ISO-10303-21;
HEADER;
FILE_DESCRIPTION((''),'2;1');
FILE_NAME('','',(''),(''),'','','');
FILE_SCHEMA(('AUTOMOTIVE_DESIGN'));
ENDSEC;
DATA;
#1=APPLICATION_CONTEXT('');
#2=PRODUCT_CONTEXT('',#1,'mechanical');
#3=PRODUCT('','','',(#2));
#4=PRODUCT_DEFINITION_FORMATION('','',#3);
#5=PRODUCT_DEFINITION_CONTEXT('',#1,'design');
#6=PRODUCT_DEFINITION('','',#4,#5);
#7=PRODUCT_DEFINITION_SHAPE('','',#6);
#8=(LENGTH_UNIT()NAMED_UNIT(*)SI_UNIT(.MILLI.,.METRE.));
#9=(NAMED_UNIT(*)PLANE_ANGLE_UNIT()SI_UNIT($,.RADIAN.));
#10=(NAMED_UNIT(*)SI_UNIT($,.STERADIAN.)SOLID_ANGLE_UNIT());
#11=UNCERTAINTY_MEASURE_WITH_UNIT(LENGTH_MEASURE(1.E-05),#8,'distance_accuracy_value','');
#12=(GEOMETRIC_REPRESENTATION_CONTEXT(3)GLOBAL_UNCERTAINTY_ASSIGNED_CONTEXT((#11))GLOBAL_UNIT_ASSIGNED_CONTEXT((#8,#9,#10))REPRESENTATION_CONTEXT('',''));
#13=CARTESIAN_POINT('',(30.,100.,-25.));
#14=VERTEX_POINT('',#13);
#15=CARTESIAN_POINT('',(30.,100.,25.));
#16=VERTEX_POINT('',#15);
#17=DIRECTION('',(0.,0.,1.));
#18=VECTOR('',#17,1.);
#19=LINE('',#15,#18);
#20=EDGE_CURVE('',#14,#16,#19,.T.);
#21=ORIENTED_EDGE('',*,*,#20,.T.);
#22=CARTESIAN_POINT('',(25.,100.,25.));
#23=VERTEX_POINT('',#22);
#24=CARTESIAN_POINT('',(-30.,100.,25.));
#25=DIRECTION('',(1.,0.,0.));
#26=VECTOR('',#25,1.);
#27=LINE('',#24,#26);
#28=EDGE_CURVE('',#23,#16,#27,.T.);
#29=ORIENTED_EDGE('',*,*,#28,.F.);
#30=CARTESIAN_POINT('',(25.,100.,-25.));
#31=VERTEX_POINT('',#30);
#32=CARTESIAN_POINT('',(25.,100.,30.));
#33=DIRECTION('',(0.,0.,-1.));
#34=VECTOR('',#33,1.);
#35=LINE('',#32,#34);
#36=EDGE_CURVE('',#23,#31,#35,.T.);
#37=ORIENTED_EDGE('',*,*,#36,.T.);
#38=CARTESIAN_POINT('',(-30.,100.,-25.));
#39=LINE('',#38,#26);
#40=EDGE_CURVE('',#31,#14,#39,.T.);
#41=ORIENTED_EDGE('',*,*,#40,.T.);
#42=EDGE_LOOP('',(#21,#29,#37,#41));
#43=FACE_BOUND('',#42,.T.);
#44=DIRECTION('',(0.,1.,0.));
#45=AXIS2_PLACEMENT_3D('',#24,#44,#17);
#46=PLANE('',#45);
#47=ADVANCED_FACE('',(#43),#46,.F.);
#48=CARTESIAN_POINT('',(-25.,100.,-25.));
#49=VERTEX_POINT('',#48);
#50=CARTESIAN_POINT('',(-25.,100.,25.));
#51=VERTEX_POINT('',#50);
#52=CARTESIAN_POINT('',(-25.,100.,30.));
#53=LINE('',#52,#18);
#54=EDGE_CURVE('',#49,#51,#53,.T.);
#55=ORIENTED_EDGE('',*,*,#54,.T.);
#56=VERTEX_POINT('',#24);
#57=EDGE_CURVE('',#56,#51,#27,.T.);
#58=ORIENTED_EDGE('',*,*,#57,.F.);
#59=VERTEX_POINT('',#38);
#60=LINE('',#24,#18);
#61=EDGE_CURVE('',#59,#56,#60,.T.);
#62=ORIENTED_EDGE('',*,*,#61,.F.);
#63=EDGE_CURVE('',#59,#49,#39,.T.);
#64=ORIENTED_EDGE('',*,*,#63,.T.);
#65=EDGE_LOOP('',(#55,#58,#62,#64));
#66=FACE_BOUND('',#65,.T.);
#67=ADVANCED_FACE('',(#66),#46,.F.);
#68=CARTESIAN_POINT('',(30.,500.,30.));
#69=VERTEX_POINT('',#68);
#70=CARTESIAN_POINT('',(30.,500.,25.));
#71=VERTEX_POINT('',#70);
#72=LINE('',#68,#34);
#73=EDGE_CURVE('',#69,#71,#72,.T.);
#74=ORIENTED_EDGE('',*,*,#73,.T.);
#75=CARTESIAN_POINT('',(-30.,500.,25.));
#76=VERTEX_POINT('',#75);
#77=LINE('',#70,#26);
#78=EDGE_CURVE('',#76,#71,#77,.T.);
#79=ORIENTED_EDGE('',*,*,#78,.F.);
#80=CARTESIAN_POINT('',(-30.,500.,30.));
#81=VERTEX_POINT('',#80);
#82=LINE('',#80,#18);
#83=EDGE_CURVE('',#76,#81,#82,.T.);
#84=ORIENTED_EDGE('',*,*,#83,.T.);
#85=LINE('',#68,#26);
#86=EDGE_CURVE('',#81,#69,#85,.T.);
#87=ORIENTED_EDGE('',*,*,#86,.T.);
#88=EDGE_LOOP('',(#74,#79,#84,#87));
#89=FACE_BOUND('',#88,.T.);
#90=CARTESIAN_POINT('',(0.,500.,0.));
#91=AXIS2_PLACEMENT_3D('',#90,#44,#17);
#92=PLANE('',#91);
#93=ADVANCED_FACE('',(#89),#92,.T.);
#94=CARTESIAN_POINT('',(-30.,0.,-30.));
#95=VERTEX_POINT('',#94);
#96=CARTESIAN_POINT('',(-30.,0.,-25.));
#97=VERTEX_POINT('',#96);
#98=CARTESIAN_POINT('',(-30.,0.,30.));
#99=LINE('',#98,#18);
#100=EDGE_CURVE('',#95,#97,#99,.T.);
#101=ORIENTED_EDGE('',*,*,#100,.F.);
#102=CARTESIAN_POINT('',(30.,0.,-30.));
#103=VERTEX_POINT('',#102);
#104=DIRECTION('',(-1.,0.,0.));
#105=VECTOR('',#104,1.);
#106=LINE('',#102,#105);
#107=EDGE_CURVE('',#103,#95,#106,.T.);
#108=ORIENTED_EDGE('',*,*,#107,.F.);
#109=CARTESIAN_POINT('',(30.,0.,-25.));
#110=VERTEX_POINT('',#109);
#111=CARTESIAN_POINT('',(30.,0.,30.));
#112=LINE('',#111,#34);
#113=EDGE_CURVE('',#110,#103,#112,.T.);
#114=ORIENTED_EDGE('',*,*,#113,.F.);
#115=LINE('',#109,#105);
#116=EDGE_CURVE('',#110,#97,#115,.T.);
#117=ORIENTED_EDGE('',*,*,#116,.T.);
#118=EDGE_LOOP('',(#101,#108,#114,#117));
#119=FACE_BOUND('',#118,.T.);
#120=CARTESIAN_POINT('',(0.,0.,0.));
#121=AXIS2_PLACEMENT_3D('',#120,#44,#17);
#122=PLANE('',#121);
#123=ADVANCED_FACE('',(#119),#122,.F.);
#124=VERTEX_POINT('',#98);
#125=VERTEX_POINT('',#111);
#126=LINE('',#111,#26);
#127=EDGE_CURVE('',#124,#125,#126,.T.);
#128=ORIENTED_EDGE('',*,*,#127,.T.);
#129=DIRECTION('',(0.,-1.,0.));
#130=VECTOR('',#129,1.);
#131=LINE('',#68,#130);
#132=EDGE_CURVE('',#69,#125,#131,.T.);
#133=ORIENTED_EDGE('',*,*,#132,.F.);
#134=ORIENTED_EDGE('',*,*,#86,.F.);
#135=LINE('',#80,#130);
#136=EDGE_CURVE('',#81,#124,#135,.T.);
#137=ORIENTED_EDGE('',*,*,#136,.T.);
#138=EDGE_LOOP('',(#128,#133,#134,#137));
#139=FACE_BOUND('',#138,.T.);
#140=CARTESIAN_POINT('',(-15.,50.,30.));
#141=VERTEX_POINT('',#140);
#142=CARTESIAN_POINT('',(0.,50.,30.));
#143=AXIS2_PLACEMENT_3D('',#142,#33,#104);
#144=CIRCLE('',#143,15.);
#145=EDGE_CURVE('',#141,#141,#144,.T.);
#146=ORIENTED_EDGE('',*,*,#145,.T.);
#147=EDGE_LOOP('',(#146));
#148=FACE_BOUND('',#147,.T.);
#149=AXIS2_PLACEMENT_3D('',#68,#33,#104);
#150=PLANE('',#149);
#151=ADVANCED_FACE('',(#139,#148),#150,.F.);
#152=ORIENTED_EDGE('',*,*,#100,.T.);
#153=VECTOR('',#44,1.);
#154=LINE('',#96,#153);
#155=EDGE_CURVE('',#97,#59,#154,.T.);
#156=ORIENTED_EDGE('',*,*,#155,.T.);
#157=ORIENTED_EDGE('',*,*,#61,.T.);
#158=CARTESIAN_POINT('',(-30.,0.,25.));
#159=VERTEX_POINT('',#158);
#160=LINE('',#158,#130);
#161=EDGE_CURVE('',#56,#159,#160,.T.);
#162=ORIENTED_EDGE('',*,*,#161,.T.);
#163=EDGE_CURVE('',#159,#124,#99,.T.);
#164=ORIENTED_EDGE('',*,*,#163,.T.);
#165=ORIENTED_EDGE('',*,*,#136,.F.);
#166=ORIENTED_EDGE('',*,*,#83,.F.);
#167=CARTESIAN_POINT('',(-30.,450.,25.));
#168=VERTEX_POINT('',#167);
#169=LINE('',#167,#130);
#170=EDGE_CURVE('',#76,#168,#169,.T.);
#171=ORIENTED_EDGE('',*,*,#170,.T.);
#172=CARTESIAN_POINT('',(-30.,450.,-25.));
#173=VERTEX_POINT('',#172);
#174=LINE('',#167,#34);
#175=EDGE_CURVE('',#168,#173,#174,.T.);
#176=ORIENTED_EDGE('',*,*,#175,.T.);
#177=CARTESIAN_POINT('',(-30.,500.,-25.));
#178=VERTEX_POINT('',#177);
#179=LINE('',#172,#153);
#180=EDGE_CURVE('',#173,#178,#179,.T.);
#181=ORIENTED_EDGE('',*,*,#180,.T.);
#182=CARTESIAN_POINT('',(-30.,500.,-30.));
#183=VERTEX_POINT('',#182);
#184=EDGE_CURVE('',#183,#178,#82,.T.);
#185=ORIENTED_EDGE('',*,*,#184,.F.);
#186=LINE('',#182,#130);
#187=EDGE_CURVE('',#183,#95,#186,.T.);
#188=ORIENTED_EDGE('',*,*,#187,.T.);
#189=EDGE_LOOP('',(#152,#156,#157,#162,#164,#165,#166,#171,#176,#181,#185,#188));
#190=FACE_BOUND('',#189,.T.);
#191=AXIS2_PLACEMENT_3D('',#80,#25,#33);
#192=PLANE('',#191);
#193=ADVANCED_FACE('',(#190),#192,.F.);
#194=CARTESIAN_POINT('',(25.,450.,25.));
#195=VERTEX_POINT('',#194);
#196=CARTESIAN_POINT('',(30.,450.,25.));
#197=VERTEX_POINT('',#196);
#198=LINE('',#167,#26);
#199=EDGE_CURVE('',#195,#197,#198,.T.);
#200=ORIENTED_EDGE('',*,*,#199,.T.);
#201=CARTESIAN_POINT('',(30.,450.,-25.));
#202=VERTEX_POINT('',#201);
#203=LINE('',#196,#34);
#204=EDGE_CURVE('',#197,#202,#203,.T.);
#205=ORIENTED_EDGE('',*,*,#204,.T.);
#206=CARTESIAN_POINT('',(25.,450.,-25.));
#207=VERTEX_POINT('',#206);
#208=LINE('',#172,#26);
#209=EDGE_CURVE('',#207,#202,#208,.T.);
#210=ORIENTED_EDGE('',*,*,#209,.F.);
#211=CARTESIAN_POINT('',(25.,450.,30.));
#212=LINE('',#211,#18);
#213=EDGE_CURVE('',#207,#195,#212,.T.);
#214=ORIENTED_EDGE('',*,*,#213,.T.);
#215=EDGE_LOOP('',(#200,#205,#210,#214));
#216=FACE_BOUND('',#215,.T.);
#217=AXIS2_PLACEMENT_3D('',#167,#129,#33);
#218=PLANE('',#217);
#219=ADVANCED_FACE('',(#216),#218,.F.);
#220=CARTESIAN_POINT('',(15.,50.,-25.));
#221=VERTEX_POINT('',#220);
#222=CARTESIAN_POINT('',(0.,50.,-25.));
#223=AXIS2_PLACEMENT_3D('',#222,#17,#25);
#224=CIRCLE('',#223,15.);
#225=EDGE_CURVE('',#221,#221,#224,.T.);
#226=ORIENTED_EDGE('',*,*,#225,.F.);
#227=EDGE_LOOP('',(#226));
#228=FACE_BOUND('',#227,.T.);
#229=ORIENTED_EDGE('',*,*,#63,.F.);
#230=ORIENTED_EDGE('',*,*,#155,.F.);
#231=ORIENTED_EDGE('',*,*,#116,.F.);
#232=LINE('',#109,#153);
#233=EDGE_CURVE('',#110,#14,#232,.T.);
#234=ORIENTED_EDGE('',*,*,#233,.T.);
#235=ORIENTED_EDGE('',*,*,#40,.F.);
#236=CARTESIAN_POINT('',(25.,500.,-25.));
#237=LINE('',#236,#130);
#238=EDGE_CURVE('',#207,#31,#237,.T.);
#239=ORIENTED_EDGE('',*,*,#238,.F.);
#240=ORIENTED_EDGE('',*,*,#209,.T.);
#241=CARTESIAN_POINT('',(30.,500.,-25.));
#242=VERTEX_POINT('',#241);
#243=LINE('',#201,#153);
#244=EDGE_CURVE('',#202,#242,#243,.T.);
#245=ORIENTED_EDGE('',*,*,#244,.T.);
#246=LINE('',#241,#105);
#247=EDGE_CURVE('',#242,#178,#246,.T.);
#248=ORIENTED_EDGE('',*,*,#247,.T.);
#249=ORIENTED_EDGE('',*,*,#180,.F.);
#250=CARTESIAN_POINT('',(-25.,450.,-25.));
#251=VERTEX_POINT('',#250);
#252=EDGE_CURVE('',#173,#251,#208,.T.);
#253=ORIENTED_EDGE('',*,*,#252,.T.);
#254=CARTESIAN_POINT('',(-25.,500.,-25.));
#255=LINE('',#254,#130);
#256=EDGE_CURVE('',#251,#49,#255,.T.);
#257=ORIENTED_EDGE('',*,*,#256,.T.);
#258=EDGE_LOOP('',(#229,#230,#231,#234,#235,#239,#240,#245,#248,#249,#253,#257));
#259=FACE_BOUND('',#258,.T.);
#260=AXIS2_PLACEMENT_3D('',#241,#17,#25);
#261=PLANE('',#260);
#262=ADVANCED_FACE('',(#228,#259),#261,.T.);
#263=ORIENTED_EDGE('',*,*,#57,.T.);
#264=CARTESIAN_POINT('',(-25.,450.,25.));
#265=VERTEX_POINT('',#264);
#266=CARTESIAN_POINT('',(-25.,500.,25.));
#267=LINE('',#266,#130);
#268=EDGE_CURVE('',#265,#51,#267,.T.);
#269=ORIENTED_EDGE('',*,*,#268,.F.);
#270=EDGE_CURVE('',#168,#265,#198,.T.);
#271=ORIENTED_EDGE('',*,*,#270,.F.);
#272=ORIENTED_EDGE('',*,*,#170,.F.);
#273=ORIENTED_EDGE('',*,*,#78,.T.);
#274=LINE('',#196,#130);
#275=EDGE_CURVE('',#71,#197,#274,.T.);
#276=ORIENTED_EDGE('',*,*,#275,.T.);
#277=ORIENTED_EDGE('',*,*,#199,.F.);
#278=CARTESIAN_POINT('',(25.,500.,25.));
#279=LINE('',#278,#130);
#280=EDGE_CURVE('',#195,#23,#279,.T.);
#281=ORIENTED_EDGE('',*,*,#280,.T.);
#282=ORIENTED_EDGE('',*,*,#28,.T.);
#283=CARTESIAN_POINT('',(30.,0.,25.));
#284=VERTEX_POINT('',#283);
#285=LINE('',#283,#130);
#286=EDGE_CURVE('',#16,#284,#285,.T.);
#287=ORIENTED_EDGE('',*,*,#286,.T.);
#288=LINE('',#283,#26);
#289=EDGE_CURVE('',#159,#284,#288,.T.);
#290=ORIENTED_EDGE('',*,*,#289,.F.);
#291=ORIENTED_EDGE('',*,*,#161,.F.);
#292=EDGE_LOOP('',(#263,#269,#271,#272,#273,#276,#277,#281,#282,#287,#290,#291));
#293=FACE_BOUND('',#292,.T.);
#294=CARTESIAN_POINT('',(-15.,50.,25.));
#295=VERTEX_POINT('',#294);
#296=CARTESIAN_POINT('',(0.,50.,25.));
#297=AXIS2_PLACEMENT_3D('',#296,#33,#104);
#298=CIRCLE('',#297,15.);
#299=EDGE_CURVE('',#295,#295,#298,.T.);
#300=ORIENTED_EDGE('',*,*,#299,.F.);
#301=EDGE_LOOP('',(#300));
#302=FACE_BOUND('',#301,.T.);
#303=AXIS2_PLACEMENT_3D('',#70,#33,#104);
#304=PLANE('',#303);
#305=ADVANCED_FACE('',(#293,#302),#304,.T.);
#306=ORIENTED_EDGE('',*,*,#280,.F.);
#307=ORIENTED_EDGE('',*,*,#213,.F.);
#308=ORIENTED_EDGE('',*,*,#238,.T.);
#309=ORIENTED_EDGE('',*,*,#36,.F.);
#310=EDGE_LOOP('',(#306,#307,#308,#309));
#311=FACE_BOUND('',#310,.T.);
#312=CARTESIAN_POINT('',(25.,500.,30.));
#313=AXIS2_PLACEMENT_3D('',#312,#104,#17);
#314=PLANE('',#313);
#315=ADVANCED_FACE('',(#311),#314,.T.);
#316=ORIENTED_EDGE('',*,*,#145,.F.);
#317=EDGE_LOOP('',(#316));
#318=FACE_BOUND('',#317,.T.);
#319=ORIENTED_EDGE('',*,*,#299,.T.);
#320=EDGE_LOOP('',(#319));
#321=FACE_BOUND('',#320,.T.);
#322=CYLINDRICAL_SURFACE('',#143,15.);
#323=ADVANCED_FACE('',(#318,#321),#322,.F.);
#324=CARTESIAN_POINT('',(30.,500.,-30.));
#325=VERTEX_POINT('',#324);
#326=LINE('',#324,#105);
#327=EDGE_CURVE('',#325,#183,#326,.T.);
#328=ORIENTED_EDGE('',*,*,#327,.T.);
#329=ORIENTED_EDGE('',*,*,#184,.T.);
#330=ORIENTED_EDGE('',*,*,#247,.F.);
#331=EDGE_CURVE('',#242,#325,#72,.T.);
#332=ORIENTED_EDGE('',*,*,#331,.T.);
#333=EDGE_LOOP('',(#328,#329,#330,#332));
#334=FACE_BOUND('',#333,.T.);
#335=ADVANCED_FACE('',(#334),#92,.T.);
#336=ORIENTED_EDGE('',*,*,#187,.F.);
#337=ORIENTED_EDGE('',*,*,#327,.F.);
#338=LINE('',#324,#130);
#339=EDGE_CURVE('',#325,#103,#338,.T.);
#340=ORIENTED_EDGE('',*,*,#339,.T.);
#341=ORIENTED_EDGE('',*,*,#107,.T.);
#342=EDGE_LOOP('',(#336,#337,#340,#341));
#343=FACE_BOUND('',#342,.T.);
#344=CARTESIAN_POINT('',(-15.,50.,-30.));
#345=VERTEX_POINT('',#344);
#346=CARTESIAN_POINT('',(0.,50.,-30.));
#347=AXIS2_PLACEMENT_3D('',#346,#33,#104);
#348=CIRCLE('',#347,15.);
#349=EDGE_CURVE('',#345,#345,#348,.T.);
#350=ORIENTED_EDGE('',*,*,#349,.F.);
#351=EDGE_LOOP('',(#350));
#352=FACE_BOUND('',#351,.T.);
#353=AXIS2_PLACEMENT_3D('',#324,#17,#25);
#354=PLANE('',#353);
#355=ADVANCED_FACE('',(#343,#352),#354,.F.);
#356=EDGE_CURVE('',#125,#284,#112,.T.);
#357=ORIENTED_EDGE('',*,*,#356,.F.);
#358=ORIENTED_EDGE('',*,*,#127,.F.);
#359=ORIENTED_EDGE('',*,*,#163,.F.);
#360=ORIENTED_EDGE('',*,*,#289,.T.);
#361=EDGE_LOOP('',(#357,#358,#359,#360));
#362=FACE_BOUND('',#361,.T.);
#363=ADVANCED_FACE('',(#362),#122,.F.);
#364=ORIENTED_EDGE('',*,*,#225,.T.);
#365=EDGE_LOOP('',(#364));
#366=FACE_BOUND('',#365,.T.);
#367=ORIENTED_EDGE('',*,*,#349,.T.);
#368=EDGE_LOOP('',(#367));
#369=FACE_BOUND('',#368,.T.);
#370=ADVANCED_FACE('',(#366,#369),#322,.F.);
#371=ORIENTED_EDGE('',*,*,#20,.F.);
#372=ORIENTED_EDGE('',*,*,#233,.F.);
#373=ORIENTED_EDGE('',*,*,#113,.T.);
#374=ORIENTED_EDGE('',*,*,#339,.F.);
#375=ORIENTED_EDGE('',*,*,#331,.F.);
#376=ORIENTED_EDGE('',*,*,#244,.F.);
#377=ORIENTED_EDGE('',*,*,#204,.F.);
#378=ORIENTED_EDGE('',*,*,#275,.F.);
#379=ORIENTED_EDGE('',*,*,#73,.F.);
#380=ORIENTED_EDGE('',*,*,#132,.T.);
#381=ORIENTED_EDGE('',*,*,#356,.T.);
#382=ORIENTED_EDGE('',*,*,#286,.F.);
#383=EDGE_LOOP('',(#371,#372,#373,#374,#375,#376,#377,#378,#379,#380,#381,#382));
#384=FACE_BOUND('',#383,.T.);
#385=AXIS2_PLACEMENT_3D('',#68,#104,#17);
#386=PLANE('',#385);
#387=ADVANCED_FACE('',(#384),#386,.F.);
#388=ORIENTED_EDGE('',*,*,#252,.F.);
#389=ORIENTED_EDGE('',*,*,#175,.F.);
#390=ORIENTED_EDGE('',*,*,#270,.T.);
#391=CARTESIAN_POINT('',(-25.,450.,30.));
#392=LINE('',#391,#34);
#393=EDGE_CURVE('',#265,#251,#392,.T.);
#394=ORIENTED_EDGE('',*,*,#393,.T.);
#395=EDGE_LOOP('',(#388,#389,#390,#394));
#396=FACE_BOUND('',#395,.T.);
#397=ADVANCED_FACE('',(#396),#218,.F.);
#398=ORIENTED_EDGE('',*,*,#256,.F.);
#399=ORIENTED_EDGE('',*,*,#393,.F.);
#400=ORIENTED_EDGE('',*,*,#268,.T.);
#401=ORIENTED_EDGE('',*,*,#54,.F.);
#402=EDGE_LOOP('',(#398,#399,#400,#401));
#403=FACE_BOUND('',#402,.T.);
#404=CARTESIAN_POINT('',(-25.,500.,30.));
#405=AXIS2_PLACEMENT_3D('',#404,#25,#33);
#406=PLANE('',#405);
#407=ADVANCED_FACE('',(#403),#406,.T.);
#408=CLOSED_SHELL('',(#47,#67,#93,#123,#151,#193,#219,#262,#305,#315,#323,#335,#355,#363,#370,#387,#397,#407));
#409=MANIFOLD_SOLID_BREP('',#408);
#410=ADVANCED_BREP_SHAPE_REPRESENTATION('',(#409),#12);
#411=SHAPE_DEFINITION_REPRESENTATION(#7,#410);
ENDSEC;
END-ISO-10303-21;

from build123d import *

# Parameters (mm, degrees)
SKETCH2_W               = 60
SKETCH2_H               = 60
BOSS_EXTRUDE1_DEPTH     = 500
SHELL1_T                = -5
SKETCH3_W               = 100
SKETCH3_H               = 50
SKETCH3_W_2             = 50
CUT_EXTRUDE1_DEPTH      = 505.479930225
CUT_EXTRUDE3_DEPTH      = 504.909714135
CUT_EXTRUDE3_DEPTH_BACK = 504.909714135
SKETCH4_R               = 15


with BuildPart() as part:
    # Sketch2 → Boss-Extrude1 (new body)
    with BuildSketch(Plane(origin=(0, 0, 0), x_dir=(-1, 0, 0), z_dir=(0, 1, 0))):
        Rectangle(SKETCH2_W, SKETCH2_H)
    extrude(amount=BOSS_EXTRUDE1_DEPTH)

    # Shell1
    shell1_openings = [part.faces().sort_by_distance(p)[0] for p in [
        (0, 0, 0),
        (0, 500, 0),
    ]]
    offset(amount=SHELL1_T, openings=shell1_openings, kind=Kind.INTERSECTION)

    # Sketch3 → Cut-Extrude1 (cut, through all)
    with BuildSketch(Plane.YZ.offset(30)):
        with Locations((50, 0)):
            Rectangle(SKETCH3_W, SKETCH3_H)
        with Locations((475, 0)):
            Rectangle(SKETCH3_W_2, SKETCH3_H)
    extrude(amount=-CUT_EXTRUDE1_DEPTH, mode=Mode.SUBTRACT)

    # Sketch4 → Cut-Extrude3 (cut, two sides: drawn at the far end of the back side and taken through both)
    with BuildSketch(Plane(origin=(0, 0, 25), x_dir=(1, 0, 0), z_dir=(0, 0, -1)).offset(-CUT_EXTRUDE3_DEPTH_BACK)):
        with Locations((0, -50)):
            Circle(SKETCH4_R)
    extrude(amount=CUT_EXTRUDE3_DEPTH + CUT_EXTRUDE3_DEPTH_BACK, mode=Mode.SUBTRACT)


solid = part.part
